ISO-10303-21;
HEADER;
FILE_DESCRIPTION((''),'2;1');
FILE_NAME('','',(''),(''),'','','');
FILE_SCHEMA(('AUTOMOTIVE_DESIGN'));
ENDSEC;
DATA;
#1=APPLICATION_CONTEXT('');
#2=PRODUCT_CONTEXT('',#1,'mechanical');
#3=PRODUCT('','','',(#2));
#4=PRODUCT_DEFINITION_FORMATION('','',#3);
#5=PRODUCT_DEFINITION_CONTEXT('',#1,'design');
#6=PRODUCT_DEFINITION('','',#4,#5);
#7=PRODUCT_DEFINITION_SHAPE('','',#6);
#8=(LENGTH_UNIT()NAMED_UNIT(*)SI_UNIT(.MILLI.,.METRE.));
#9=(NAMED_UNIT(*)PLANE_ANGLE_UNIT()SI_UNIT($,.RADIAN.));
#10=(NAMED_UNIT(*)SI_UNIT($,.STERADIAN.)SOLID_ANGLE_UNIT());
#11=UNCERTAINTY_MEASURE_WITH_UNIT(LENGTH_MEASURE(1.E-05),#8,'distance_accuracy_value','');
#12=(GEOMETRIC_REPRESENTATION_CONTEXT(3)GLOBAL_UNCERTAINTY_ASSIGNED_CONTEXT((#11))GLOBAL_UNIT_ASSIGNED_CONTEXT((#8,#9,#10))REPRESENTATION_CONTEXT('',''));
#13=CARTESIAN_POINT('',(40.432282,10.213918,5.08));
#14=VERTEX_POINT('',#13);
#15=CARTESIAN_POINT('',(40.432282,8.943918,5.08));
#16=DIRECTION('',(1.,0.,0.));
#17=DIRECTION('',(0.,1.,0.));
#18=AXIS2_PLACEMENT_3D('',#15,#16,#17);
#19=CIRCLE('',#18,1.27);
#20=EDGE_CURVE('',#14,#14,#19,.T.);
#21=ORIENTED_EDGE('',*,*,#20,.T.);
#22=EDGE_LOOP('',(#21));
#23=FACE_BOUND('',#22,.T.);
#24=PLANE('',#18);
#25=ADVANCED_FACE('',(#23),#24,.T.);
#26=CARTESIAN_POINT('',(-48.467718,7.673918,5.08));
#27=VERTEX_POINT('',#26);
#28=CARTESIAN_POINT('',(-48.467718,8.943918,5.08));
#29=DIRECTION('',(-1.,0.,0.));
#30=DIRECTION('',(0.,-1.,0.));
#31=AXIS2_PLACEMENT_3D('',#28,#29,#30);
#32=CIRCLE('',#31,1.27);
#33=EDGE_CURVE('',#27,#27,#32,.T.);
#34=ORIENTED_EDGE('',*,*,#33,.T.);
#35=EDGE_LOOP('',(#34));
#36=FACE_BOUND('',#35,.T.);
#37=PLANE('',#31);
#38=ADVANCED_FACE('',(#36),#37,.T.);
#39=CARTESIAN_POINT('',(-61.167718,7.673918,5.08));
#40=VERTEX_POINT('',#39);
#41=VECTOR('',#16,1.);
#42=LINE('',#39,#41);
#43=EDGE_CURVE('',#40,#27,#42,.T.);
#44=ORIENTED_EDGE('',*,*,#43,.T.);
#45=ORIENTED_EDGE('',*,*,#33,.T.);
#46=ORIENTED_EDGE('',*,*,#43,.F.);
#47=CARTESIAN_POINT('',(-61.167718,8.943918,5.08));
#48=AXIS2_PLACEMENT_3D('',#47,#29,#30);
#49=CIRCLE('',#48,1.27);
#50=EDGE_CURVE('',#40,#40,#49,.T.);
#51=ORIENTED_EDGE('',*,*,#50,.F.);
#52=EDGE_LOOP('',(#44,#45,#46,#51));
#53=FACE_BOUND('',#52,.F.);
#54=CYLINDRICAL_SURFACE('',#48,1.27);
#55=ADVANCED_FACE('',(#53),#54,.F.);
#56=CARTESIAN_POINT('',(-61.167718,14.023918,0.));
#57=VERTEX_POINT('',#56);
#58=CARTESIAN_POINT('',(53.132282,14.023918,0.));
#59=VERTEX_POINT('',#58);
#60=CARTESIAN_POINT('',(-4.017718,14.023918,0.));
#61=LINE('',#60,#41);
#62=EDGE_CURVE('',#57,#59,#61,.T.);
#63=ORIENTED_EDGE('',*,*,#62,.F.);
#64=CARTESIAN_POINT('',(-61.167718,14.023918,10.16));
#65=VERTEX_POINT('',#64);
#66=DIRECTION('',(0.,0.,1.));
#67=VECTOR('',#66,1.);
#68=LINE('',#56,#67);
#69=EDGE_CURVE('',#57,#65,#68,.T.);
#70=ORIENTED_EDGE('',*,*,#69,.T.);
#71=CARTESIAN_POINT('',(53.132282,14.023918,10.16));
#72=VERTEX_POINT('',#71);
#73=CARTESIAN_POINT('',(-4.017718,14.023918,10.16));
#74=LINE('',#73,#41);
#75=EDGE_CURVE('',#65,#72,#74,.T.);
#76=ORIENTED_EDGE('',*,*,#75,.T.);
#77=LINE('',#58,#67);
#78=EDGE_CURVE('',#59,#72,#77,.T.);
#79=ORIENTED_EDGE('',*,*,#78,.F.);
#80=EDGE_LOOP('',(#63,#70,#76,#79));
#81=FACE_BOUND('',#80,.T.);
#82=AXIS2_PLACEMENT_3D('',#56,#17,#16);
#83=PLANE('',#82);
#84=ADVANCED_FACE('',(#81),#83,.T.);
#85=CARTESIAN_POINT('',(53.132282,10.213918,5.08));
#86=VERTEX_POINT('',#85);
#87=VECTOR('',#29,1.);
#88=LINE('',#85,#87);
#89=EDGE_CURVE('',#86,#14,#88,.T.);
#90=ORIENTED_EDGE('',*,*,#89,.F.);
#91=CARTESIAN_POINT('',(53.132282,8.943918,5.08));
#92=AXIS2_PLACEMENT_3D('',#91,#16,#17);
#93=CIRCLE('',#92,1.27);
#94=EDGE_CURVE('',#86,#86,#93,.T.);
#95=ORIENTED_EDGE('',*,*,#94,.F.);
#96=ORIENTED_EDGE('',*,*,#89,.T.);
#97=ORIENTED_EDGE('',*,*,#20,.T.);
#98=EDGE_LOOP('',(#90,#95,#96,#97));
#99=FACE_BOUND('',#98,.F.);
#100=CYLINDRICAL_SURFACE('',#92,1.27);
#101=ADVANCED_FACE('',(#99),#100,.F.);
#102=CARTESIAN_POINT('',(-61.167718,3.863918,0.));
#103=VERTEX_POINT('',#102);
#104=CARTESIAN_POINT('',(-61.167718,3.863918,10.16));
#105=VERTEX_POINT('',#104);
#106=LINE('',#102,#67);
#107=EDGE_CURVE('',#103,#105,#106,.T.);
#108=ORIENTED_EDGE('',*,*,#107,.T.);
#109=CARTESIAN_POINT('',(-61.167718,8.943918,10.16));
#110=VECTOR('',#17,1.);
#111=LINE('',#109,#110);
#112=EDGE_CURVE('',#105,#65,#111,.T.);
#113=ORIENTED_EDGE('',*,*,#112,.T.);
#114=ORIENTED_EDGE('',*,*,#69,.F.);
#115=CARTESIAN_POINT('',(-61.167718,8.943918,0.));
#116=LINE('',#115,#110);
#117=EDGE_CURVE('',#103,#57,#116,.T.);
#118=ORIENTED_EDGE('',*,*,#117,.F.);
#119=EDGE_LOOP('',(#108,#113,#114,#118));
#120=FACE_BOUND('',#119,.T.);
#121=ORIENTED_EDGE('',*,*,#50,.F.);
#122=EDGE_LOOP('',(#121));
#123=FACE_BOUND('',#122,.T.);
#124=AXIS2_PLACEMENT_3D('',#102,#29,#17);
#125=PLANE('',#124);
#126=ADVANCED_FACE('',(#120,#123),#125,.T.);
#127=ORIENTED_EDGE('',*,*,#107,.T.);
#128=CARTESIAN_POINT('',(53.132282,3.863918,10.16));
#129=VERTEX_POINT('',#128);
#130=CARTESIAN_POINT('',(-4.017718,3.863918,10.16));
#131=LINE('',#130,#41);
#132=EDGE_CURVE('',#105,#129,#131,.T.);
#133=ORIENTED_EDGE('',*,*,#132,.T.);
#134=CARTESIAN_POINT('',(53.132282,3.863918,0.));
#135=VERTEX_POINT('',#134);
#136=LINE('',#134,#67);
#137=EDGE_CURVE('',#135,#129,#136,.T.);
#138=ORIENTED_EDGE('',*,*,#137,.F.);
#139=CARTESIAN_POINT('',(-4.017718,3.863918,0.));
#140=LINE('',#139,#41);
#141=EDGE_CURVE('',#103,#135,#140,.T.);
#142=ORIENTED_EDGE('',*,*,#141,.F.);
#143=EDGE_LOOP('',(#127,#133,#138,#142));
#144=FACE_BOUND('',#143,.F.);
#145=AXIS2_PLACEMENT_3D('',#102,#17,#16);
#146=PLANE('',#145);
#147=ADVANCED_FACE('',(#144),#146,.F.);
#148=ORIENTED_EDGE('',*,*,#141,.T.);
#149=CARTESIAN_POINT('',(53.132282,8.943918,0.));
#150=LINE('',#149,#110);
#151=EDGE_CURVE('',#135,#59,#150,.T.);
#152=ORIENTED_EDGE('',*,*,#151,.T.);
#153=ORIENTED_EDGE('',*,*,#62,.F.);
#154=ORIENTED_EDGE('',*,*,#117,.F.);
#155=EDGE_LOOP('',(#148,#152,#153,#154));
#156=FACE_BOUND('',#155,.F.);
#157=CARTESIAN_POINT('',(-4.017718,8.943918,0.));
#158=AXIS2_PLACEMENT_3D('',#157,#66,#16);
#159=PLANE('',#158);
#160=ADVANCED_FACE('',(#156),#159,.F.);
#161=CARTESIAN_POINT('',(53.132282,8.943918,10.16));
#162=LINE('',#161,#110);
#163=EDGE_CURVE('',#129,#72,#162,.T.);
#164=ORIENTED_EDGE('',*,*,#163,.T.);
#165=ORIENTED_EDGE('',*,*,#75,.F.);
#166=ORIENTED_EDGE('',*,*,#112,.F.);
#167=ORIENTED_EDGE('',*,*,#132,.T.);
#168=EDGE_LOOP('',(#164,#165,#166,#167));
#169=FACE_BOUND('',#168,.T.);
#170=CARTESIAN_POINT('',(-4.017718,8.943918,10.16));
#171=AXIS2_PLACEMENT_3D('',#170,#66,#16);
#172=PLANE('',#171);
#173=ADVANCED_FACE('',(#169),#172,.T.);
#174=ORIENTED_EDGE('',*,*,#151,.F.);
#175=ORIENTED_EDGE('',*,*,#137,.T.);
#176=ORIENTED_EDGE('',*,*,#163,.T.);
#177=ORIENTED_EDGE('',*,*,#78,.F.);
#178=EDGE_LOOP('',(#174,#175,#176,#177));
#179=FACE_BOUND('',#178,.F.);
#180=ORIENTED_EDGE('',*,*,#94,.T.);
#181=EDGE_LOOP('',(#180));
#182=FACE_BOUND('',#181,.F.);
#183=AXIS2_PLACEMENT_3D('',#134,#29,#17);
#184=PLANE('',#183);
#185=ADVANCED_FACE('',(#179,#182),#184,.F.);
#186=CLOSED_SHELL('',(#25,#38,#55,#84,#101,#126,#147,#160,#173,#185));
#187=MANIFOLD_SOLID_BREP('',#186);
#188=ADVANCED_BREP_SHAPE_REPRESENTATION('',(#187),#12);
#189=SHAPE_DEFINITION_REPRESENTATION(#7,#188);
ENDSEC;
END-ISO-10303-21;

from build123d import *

# Parameters (mm, degrees)
F0_W     = 114.3
F0_H     = 10.16
F1_DEPTH = 10.16
F3_R     = 1.27
F4_DEPTH = 12.7
F2_R     = 1.27
F5_DEPTH = 12.7


with BuildPart() as f1:
    # F0 (on Top) → F1 (new body)
    with BuildSketch(Plane.XY):
        with Locations((-4.017718, 8.943918)):
            Rectangle(F0_W, F0_H)
    extrude(amount=F1_DEPTH)

    # F3 (on face) → F4 (cut)
    with BuildSketch(Plane.YZ.offset(53.132282)):
        with Locations((8.943918, 5.08)):
            Circle(F3_R)
    extrude(amount=-F4_DEPTH, mode=Mode.SUBTRACT)

    # F2 (on face) → F5 (cut)
    with BuildSketch(Plane(origin=(-61.167718, 0, 0), x_dir=(0, -1, 0), z_dir=(-1, 0, 0))):
        with Locations((-8.943918, 5.08)):
            Circle(F2_R)
    extrude(amount=-F5_DEPTH, mode=Mode.SUBTRACT)


solid = f1.part
